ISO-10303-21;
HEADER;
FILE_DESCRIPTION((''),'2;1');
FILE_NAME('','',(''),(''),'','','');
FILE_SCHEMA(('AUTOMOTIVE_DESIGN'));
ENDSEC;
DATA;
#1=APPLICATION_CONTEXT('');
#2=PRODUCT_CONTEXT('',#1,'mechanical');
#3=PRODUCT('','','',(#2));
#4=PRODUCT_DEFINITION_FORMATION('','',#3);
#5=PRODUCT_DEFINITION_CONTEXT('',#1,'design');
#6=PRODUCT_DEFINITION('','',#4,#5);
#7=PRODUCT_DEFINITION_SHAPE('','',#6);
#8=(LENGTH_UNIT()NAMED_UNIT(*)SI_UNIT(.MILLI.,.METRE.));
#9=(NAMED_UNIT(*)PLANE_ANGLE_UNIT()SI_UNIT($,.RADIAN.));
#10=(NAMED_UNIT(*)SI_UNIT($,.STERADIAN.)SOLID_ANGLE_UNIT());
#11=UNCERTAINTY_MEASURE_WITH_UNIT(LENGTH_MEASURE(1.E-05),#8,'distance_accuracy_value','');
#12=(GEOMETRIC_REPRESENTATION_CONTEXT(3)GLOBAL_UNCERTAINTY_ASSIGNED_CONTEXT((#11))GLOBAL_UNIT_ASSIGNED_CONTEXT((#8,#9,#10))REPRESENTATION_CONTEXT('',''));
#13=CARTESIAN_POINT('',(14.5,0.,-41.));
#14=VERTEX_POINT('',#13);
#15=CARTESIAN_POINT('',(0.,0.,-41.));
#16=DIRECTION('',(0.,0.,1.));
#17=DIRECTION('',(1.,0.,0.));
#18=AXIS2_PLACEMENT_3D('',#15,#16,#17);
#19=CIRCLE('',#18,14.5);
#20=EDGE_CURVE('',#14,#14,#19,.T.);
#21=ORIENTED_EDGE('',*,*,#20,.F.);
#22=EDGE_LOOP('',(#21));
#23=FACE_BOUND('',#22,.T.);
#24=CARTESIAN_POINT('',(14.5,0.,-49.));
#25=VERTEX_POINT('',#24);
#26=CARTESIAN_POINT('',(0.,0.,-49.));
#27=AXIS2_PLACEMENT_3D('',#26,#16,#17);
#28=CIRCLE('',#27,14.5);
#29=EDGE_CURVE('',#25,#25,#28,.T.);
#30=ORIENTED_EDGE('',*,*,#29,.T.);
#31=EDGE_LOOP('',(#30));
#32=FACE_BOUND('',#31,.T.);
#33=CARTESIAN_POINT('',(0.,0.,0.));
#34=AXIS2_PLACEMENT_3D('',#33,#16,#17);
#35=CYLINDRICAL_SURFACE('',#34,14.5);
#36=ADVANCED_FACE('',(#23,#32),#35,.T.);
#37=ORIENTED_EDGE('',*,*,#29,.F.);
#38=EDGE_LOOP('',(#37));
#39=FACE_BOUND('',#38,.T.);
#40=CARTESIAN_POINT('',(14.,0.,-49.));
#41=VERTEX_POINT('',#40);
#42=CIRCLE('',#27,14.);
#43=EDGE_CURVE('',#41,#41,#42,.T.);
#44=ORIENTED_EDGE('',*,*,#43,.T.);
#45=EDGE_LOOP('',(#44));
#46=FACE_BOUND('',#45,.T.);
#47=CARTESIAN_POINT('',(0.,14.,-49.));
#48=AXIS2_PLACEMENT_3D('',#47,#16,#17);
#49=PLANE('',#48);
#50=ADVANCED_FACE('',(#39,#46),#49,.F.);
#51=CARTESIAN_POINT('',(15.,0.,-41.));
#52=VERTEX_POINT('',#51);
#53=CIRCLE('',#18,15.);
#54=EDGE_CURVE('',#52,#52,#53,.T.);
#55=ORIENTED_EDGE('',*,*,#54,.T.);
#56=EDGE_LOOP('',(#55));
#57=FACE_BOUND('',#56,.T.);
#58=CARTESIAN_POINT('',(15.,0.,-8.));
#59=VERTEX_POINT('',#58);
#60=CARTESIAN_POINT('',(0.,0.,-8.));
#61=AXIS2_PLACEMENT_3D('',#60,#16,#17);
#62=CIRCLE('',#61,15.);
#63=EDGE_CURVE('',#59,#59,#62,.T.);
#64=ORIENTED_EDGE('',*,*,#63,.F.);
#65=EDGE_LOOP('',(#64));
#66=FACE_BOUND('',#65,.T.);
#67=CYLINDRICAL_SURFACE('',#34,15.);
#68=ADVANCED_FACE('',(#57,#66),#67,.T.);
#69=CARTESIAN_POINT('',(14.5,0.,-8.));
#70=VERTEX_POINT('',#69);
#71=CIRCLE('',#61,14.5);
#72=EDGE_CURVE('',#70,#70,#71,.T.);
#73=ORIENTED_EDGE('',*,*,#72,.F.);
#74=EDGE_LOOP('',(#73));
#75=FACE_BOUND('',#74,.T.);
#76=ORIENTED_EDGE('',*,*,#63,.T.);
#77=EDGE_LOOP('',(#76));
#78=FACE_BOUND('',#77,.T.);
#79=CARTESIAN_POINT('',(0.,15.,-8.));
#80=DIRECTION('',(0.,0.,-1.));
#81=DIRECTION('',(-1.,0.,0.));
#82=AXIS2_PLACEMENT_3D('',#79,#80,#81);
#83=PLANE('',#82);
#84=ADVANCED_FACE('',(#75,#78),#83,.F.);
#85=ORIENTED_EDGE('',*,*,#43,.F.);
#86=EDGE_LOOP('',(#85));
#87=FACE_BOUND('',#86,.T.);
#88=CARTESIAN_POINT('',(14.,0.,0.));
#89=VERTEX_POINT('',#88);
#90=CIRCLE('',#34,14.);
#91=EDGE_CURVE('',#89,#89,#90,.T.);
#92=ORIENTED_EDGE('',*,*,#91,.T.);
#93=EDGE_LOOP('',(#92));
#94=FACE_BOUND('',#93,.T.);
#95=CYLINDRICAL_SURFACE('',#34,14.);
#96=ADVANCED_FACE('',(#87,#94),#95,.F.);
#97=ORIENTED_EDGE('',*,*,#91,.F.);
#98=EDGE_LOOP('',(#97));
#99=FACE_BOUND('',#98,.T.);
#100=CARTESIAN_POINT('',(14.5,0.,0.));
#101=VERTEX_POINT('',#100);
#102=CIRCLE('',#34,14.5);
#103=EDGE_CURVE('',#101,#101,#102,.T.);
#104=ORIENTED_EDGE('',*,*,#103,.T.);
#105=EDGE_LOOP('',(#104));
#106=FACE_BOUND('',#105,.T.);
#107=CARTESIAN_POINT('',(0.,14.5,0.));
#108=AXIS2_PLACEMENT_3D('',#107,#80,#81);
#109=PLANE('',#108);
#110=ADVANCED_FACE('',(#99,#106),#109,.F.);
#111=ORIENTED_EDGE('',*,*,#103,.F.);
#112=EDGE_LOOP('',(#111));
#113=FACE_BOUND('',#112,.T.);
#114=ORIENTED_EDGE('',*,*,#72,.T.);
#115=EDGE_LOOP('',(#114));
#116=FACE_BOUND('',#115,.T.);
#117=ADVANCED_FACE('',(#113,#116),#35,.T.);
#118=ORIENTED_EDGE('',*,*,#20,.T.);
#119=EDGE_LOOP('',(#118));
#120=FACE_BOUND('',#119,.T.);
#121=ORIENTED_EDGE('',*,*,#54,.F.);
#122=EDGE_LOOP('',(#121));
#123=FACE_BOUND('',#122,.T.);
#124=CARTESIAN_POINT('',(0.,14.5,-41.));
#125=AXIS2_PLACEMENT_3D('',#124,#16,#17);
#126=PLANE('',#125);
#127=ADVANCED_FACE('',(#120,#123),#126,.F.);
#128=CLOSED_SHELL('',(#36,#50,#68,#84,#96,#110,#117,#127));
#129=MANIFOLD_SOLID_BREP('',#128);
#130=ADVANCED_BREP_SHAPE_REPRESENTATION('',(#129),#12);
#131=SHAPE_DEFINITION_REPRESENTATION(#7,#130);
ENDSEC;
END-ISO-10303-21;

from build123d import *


with BuildPart() as part:
    # Sketch1 → Revolve1 (revolve)
    with BuildSketch(Plane(origin=(0, 0, 0), x_dir=(0, 0, -1), z_dir=(1, 0, 0))):
        Polygon((0, 14), (49, 14), (49, 14.5), (41, 14.5), (41, 15), (8, 15), (8, 14.5), (0, 14.5), align=None)
    revolve(axis=Axis((0, 0, 0), (0, 0, -1)))


solid = part.part
